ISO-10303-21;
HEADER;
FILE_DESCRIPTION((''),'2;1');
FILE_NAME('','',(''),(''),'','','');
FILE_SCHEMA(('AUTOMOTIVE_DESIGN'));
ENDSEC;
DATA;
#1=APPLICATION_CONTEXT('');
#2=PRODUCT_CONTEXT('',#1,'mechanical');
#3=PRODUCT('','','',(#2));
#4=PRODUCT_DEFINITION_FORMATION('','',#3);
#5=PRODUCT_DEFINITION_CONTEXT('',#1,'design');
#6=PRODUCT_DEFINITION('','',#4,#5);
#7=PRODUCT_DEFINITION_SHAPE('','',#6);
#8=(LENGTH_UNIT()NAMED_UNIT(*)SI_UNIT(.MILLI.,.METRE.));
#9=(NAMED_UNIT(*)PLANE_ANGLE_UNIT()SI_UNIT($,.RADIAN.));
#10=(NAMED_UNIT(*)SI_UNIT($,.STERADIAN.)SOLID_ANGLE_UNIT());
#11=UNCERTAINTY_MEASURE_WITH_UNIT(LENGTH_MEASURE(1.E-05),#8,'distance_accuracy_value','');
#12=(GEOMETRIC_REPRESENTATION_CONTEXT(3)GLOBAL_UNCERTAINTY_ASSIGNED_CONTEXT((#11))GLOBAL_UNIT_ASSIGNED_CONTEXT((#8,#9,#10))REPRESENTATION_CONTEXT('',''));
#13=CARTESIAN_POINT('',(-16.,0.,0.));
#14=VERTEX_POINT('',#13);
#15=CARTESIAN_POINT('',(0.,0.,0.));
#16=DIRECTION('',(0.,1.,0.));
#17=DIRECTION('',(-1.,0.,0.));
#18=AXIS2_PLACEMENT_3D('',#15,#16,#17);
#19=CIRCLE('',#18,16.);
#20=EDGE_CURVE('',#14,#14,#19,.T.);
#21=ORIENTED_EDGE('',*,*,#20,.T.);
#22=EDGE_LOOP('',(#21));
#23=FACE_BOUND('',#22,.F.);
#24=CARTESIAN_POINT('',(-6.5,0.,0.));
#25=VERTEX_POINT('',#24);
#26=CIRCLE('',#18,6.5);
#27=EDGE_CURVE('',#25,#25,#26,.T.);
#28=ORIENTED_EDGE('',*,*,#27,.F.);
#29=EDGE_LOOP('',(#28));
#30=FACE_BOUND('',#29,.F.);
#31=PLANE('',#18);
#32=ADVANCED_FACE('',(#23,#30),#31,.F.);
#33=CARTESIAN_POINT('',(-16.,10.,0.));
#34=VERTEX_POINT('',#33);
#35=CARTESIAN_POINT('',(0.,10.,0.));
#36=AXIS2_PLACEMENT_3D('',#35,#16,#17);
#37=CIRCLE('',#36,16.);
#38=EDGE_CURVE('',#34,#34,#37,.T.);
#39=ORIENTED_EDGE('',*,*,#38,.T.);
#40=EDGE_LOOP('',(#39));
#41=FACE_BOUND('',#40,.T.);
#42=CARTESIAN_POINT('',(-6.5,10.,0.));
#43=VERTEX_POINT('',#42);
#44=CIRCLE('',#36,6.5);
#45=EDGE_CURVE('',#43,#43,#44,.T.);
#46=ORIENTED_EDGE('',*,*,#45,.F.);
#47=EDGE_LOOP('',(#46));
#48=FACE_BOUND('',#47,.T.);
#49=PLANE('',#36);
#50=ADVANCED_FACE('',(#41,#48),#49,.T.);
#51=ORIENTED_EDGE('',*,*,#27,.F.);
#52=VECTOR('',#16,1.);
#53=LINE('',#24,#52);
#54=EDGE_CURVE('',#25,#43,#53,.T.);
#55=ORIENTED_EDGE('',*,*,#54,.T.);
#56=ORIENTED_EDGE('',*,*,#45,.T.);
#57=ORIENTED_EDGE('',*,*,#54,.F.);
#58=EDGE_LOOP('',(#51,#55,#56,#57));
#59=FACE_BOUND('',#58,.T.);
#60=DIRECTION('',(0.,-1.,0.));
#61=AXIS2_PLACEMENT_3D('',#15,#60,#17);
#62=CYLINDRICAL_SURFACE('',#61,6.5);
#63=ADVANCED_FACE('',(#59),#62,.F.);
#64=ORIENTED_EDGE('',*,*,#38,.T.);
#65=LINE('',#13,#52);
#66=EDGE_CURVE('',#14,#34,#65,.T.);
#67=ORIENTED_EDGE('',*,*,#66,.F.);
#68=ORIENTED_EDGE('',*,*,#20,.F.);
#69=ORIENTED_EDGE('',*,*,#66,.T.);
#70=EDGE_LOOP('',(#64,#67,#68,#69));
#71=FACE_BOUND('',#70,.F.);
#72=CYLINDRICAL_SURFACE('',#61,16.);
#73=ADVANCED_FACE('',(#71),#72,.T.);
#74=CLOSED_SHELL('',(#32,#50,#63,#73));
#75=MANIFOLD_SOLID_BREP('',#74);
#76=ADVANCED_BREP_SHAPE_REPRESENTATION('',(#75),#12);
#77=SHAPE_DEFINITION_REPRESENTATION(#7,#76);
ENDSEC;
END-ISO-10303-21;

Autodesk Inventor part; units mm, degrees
ref_plane "YZ Plane" through (0, 0, 0) normal (1, 0, 0) x (0, 1, 0)
ref_plane "XZ Plane" through (0, 0, 0) normal (0, 1, 0) x (-1, 0, 0)
ref_plane "XY Plane" through (0, 0, 0) normal (0, 0, 1) x (1, 0, 0)
sketch "Sketch1" plane through (0, 0, 0) normal (0, 1, 0) x (-1, 0, 0)
  circle A0 centre (0, 0) radius 6.5
  circle A1 centre (0, 0) radius 16
  dimension "d0" = 13
  dimension "d1" = 32
extrude "Extrusion1" add sketch "Sketch1" along normal blind 10
properties part number "Bearing_mark_up"
